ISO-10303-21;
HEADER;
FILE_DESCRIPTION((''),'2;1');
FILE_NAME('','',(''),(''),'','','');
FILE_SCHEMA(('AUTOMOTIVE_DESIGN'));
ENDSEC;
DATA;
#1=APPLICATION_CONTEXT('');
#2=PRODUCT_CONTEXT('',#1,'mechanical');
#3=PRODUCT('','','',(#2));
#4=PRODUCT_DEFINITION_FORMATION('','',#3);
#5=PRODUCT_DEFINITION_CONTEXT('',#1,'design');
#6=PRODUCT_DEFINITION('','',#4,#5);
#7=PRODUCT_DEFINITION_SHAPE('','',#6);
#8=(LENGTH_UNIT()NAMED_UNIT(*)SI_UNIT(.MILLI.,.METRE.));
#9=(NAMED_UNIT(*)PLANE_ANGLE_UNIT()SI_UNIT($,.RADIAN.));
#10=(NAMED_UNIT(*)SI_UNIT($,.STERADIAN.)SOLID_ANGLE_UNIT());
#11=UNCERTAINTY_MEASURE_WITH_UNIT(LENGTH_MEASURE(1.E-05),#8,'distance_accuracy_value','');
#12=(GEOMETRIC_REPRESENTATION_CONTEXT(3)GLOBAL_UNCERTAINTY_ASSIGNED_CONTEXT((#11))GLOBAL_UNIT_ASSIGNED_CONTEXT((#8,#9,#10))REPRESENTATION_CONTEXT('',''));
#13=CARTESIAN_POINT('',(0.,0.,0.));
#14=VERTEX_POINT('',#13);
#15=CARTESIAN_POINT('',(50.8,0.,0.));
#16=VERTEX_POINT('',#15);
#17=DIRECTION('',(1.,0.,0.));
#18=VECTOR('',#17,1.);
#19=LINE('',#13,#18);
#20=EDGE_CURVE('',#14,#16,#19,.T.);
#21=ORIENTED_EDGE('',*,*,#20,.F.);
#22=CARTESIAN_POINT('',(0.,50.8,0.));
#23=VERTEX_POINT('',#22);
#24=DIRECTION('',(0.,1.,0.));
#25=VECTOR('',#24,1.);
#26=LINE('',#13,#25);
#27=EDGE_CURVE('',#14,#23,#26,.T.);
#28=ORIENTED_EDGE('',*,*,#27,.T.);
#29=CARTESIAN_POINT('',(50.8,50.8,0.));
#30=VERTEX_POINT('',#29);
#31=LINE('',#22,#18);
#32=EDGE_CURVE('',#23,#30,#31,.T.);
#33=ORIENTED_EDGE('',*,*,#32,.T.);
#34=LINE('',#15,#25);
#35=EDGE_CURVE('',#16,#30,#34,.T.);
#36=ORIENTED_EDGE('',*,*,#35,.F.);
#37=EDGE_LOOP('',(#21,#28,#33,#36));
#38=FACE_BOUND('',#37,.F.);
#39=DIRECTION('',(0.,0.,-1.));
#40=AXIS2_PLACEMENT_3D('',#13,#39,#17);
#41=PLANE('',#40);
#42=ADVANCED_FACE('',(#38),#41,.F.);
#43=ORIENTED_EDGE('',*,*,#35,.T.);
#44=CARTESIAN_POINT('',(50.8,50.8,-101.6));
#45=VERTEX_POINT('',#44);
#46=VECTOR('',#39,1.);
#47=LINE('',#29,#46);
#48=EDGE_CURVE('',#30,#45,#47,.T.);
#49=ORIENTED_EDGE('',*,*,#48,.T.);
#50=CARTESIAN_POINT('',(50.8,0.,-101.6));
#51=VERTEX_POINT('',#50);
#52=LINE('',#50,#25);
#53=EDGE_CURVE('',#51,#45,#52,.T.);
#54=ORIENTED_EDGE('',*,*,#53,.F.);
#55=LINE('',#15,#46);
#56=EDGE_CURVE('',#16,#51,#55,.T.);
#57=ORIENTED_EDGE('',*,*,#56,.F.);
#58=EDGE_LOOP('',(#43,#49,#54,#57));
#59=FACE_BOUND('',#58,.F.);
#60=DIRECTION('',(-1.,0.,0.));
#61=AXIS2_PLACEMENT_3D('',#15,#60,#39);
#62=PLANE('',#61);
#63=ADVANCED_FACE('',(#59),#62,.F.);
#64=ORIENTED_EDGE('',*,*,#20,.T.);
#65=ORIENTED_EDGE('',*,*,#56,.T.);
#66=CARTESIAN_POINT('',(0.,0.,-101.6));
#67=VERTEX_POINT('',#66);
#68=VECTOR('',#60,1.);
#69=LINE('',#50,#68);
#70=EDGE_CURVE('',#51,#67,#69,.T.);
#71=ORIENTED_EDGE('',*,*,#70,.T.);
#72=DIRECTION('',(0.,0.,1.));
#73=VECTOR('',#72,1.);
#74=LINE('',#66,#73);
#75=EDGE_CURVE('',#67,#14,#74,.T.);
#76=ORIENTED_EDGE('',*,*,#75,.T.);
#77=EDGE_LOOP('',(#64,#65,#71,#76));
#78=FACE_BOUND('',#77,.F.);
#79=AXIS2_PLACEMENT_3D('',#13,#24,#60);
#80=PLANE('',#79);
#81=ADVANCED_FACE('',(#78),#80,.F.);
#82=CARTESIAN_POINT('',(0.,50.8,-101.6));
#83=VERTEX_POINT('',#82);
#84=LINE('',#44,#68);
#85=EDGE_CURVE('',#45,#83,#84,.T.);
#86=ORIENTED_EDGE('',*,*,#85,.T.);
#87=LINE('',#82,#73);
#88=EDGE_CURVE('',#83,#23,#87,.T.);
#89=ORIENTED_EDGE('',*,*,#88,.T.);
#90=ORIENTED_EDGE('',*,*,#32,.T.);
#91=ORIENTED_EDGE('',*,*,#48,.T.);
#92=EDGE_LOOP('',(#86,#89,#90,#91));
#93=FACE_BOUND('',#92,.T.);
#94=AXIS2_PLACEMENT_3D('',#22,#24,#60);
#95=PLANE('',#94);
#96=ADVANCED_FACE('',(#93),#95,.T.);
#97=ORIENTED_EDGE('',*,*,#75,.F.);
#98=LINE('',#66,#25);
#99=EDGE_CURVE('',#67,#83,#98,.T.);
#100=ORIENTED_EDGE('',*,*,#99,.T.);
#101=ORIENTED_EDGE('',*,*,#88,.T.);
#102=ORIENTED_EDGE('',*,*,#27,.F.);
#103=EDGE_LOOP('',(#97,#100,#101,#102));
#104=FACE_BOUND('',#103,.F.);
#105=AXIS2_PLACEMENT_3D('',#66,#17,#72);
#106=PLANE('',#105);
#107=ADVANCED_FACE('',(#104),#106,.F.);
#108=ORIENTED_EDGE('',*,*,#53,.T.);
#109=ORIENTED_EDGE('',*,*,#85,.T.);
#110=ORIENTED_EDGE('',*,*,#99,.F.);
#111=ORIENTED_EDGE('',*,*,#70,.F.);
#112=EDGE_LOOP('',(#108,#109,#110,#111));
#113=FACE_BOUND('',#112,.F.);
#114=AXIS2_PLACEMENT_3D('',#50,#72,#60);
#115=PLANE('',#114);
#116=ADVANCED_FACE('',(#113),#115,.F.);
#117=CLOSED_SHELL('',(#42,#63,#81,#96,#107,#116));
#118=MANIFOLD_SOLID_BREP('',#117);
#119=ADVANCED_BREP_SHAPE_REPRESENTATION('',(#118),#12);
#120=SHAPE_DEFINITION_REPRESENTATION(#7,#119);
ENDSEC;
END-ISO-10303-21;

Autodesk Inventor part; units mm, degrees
ref_plane "YZ Plane" through (0, 0, 0) normal (1, 0, 0) x (0, 1, 0)
ref_plane "XZ Plane" through (0, 0, 0) normal (0, 1, 0) x (-1, 0, 0)
ref_plane "XY Plane" through (0, 0, 0) normal (0, 0, 1) x (1, 0, 0)
sketch "Sketch1" plane through (0, 0, 0) normal (0, 1, 0) x (-1, 0, 0)
  line L0 (0, 0) -> (-50.8, 0)
  line L1 (-50.8, 0) -> (-50.8, -101.6)
  line L2 (-50.8, -101.6) -> (0, -101.6)
  line L3 (0, -101.6) -> (0, 0)
  dimension "d0" = 50.8
  dimension "d1" = 101.6
extrude "Extrusion1" add sketch "Sketch1" along normal blind 50.8
properties part number "rev1 base large wall plank middle"
